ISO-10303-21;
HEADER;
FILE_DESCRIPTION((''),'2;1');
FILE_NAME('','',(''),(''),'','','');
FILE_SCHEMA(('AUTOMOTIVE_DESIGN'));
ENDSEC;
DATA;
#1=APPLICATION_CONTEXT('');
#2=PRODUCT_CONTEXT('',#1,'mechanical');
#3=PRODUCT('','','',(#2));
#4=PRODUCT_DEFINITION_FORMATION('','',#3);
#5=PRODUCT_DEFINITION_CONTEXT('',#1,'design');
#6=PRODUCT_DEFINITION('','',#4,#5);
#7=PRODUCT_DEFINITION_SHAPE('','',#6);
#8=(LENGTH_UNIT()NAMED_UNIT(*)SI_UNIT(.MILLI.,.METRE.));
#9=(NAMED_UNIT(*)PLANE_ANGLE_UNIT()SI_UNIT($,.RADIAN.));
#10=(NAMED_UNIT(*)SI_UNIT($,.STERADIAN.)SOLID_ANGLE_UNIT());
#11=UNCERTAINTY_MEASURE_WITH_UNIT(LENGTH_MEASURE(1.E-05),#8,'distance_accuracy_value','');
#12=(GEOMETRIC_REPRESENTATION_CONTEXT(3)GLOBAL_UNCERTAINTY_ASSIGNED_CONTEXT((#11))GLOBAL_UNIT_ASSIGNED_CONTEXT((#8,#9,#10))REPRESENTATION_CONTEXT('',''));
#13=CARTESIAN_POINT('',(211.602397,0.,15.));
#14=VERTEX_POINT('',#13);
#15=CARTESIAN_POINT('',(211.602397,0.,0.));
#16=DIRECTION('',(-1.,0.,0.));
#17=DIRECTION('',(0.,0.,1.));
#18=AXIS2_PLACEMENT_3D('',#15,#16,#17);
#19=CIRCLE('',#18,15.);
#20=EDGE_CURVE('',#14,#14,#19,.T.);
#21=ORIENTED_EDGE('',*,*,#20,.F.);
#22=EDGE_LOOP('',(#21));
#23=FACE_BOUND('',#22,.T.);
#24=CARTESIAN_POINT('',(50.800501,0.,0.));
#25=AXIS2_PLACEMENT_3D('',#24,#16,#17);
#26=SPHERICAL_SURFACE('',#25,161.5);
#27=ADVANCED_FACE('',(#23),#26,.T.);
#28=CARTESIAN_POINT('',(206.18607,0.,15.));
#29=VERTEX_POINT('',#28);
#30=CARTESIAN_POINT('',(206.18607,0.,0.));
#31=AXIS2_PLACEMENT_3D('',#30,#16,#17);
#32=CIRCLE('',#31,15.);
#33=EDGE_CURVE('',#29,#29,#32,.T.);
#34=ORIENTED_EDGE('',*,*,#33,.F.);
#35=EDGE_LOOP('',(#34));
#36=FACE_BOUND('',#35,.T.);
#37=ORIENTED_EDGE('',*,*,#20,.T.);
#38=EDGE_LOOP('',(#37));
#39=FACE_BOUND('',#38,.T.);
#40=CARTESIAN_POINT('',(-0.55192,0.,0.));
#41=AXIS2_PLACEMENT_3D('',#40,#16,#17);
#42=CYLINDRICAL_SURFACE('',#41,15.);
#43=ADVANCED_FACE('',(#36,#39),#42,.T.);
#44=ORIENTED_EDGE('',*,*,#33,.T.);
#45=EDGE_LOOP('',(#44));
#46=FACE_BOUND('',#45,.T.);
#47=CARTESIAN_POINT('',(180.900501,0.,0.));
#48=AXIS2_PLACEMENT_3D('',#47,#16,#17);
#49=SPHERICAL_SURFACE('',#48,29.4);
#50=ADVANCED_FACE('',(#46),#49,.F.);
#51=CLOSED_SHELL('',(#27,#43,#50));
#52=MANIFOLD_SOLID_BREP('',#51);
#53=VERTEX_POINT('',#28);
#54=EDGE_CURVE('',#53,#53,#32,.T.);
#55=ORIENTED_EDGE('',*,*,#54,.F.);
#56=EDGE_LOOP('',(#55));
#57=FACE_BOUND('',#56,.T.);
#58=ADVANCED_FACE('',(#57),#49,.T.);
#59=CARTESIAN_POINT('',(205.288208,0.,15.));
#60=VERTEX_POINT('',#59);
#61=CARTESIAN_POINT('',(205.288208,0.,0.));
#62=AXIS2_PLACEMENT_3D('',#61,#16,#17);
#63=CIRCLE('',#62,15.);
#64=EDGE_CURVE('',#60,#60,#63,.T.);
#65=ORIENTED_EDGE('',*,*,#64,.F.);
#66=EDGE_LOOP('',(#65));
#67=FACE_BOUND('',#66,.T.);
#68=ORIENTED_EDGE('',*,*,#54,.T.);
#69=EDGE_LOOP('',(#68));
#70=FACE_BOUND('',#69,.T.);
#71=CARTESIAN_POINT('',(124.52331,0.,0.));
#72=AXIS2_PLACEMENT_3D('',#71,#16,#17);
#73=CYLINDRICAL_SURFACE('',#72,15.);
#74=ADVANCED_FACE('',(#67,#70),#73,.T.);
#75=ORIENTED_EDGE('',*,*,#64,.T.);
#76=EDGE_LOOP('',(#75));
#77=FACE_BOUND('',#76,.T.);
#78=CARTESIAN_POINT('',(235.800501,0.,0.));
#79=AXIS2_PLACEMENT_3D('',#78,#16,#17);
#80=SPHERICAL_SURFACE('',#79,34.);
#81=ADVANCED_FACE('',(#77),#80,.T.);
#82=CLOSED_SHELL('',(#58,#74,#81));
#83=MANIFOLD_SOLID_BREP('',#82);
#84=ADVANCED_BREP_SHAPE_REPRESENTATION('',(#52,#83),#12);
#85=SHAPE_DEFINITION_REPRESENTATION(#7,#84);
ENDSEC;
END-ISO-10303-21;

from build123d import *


with BuildPart() as part:
    # 草图1 one side → 旋转1 (revolve)
    with BuildSketch(Plane(origin=(0, 0, 0), x_dir=(1, 0, 0), z_dir=(0, 1, 0)), mode=Mode.PRIVATE) as revolve_1_sk:
        with BuildLine():
            ThreePointArc((205.288208134, 15), (202.68390408, 7.700066605), (201.800500739, 0))
            Line((201.800500739, 0), (210.300500739, 0))
            ThreePointArc((210.300500739, 0), (209.253240719, 7.777026141), (206.186069746, 15))
            Line((206.186069746, 15), (205.288208134, 15))
        make_face()
    revolve(revolve_1_sk.sketch.rotate(Axis((124.523309526, 0, 0), (1, 0, 0)), 180), axis=Axis((124.523309526, 0, 0), (1, 0, 0)))  # turned: the seam where the file's is


with BuildPart() as body_2:
    # 草图2 one side → 旋转3 (revolve)
    with BuildSketch(Plane(origin=(0, 0, 0), x_dir=(1, 0, 0), z_dir=(0, 1, 0)), mode=Mode.PRIVATE) as revolve_3_sk:
        with BuildLine():
            Line((211.602397494, 15), (206.186069746, 15))
            ThreePointArc((206.186069746, 15), (209.253240719, 7.777026141), (210.300500739, 0))
            Line((210.300500739, 0), (212.300500739, 0))
            ThreePointArc((212.300500739, 0), (212.125880524, 7.508118075), (211.602397494, 15))
        make_face()
    revolve(revolve_3_sk.sketch.rotate(Axis((-0.551919993, 0, 0), (1, 0, 0)), 180), axis=Axis((-0.551919993, 0, 0), (1, 0, 0)))  # turned: the seam where the file's is


solid = Compound([part.part, body_2.part])
